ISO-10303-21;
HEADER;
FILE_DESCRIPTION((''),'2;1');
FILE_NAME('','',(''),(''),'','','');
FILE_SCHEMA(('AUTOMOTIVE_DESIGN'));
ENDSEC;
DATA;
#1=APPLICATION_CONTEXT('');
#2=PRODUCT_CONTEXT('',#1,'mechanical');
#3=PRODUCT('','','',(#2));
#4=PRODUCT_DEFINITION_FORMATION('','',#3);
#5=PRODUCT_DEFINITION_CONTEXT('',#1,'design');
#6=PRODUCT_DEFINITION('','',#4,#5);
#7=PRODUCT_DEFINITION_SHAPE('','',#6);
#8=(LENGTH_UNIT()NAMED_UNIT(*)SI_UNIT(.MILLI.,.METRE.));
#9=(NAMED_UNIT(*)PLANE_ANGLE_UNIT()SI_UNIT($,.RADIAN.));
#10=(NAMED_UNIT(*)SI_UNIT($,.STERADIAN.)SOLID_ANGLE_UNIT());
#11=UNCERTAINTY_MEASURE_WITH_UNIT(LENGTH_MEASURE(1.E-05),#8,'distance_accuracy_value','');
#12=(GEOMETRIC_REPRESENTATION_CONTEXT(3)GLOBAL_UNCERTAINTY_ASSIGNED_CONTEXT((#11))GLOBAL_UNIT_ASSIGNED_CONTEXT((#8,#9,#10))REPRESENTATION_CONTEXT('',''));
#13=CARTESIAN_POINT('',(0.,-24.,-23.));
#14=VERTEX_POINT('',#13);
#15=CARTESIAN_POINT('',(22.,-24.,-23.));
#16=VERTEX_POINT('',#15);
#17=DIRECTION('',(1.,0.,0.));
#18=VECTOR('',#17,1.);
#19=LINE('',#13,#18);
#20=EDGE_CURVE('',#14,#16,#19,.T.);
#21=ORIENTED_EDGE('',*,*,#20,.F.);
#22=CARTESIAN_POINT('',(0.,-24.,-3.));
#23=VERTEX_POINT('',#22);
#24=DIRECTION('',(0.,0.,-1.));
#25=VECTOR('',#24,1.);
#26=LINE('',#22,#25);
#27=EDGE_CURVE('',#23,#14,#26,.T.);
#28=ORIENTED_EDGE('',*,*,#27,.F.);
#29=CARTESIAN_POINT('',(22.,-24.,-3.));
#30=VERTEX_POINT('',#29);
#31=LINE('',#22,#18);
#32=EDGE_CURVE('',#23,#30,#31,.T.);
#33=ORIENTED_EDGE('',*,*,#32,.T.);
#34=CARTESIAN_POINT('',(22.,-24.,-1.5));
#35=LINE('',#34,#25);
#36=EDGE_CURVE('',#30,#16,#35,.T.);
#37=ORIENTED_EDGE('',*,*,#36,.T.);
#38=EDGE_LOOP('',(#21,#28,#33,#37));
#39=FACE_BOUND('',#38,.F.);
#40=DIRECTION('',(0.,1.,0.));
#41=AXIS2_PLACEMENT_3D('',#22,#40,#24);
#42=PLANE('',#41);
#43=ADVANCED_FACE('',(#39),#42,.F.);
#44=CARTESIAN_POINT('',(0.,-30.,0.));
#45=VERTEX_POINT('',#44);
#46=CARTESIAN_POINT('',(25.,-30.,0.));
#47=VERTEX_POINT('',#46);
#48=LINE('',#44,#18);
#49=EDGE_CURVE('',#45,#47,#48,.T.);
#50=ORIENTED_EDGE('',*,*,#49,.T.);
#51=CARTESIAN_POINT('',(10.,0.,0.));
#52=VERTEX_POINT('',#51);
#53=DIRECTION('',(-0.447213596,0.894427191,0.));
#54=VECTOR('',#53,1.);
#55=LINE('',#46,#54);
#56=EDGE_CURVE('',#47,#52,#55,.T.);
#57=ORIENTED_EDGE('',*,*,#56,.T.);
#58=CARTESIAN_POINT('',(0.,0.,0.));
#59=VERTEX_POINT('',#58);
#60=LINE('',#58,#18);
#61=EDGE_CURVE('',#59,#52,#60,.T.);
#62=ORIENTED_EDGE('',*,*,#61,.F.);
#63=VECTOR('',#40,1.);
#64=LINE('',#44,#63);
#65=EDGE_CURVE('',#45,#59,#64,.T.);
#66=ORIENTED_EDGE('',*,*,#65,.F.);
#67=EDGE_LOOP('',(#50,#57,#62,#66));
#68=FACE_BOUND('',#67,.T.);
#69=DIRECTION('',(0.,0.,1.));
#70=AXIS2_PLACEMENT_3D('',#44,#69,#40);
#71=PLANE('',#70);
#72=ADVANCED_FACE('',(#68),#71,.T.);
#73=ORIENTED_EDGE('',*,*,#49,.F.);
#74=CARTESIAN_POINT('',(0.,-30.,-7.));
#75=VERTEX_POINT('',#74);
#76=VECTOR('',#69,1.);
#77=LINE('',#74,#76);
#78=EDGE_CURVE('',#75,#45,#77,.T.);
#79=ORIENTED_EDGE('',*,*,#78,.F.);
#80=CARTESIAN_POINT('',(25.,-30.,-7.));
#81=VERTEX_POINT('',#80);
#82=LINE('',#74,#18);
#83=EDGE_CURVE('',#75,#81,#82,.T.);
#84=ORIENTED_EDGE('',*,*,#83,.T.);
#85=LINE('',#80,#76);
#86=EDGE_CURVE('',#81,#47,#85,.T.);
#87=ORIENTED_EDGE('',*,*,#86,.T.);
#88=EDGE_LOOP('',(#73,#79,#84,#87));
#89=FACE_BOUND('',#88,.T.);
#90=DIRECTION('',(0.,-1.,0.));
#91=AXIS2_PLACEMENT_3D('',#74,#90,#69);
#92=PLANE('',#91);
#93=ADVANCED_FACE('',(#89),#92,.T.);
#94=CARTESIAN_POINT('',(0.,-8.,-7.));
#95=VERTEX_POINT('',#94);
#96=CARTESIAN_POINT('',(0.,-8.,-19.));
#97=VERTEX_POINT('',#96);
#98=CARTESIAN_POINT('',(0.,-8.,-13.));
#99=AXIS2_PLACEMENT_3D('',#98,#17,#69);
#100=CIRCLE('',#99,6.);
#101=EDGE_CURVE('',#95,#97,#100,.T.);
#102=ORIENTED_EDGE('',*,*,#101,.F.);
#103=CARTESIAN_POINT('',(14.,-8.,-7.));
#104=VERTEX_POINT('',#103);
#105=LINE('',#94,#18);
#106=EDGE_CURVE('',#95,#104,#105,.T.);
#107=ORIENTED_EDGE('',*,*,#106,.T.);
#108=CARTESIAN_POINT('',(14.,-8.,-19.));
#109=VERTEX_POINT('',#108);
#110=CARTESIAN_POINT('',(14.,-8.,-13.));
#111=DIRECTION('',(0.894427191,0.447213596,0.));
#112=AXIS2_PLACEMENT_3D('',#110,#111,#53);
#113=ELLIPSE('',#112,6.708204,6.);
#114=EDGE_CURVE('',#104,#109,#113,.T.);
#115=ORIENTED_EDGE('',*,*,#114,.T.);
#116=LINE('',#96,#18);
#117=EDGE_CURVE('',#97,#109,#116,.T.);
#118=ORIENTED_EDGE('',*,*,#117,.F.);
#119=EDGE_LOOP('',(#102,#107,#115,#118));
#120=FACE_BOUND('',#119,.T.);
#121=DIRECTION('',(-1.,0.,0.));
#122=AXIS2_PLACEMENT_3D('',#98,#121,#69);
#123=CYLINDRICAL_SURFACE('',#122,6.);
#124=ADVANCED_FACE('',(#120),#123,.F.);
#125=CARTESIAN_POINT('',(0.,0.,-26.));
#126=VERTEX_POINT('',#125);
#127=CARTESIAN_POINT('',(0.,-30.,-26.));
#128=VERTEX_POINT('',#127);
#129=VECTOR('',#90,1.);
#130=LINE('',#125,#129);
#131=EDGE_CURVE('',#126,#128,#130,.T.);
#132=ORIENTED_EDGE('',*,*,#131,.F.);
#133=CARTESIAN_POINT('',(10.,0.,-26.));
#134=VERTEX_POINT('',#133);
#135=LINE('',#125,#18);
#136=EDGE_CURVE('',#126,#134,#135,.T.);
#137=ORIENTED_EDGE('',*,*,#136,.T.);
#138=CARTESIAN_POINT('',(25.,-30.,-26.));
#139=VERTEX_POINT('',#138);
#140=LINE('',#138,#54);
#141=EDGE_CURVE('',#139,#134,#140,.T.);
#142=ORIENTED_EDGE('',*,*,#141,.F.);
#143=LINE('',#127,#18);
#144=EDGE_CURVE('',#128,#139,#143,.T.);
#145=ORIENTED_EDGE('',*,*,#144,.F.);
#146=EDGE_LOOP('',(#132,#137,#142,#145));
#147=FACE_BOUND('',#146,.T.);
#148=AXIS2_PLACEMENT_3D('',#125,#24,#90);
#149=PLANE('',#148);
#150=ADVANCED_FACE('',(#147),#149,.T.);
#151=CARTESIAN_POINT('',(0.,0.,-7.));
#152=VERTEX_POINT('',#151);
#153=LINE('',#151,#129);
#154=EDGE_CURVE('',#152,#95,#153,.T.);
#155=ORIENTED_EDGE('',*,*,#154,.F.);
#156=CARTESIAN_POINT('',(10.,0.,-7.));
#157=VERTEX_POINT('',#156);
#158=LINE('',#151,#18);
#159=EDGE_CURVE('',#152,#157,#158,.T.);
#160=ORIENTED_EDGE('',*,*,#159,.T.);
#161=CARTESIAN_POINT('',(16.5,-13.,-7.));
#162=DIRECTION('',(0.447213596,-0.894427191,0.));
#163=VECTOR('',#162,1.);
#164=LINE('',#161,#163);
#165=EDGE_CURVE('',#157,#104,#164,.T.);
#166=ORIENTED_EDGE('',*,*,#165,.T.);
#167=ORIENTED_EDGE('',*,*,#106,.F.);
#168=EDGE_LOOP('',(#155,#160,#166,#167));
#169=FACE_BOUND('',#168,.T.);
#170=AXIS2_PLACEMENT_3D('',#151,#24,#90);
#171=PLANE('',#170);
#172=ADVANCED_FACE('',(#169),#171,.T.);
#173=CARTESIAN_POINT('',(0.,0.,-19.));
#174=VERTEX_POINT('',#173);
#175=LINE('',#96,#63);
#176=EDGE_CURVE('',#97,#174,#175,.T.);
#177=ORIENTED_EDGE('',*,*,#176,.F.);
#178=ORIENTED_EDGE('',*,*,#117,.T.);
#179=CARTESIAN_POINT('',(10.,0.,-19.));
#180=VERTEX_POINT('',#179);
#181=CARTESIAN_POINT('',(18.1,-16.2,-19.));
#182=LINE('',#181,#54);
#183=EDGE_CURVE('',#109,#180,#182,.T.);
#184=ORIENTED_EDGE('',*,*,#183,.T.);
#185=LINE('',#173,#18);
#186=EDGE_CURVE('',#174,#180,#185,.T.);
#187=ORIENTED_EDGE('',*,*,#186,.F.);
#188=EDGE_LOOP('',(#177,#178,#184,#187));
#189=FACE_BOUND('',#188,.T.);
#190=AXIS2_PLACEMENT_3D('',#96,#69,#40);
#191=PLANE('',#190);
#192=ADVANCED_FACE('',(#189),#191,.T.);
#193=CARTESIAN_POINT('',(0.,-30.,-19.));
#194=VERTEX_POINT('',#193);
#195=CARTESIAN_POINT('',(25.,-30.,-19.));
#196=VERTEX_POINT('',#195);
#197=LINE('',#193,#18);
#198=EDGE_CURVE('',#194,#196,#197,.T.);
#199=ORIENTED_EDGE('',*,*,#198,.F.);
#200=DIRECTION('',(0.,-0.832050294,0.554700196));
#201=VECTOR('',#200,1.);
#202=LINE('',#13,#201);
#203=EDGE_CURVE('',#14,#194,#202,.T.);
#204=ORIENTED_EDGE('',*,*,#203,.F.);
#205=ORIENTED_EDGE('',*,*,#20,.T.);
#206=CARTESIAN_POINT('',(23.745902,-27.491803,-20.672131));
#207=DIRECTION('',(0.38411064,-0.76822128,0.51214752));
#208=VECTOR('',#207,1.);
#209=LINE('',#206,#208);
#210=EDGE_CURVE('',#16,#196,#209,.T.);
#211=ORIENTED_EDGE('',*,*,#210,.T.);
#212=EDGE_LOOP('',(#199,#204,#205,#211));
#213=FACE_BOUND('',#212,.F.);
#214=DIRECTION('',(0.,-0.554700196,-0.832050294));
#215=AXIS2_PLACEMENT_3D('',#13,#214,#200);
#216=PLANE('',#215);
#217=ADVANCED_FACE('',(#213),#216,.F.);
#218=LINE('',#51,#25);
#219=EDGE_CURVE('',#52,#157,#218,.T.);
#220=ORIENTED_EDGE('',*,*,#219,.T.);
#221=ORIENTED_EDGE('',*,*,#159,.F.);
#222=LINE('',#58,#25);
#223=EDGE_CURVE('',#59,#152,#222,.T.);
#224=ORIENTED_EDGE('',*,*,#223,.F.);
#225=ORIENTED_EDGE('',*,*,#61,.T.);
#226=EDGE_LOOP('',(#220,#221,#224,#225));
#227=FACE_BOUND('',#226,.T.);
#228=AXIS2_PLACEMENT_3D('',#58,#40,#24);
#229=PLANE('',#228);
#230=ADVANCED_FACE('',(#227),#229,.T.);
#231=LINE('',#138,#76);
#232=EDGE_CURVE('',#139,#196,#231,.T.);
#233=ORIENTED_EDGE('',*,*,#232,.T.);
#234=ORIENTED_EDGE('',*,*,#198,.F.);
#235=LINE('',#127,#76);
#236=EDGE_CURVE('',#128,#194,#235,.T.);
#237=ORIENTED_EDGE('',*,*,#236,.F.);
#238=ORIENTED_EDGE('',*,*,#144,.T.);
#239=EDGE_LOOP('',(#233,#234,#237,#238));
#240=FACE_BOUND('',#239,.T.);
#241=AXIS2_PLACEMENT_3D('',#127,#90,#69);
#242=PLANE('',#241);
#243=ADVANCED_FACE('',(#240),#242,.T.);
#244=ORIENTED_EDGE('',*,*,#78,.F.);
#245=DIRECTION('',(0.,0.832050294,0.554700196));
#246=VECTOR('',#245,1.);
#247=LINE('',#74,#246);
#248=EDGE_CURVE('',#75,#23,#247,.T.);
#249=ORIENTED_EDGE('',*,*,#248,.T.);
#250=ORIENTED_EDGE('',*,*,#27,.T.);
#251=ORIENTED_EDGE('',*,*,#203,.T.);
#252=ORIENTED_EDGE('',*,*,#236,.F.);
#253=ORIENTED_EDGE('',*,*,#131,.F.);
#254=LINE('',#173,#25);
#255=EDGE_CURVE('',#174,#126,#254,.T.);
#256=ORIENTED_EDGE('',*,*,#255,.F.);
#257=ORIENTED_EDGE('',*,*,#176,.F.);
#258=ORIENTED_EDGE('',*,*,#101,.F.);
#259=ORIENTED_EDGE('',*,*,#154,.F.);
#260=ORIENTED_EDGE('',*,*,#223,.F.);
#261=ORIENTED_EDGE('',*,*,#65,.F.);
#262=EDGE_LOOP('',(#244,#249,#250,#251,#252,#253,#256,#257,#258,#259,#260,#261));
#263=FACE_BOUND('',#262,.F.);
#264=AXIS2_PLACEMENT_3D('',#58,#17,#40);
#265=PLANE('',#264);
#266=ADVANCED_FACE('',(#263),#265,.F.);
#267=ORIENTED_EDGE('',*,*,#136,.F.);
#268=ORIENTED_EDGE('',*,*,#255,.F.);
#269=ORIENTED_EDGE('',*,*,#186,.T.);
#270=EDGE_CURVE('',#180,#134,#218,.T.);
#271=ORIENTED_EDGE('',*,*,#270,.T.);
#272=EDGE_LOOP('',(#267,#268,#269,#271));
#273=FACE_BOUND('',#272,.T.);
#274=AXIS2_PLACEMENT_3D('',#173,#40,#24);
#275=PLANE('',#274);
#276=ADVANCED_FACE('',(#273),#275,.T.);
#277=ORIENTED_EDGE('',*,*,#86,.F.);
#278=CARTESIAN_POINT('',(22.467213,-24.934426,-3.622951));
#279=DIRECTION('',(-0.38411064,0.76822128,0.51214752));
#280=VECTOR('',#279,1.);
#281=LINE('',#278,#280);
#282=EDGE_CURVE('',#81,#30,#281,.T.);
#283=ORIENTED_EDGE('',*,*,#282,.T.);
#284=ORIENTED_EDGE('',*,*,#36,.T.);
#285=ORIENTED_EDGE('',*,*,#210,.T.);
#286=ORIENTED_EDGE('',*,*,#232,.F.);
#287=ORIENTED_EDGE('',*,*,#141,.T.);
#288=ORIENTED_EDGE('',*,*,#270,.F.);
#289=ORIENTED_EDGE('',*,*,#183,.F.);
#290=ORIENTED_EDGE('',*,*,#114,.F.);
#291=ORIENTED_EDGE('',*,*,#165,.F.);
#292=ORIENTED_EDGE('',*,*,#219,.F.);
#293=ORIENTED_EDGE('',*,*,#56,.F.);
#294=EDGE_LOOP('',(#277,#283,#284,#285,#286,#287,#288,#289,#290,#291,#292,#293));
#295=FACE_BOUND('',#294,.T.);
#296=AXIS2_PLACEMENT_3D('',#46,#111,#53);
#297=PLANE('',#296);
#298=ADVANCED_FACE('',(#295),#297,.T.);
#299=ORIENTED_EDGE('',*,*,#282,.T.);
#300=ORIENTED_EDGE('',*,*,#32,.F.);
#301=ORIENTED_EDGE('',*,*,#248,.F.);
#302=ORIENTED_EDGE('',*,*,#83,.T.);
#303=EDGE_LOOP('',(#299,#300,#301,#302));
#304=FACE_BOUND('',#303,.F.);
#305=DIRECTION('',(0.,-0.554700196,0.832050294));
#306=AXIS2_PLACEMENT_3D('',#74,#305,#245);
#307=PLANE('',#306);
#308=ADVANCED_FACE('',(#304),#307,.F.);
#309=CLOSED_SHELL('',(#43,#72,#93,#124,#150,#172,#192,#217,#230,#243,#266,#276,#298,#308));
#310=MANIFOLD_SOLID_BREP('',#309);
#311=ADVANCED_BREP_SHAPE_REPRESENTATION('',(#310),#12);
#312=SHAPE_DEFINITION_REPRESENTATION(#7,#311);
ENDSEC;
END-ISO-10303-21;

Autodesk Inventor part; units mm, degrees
ref_plane "YZ Plane" through (0, 0, 0) normal (1, 0, 0) x (0, 1, 0)
ref_plane "XZ Plane" through (0, 0, 0) normal (0, 1, 0) x (-1, 0, 0)
ref_plane "XY Plane" through (0, 0, 0) normal (0, 0, 1) x (1, 0, 0)
sketch "草图1" plane through (0, 0, 0) normal (1, 0, 0) x (0, 1, 0)
  line L0 (-30, 0) -> (0, 0)
  line L1 (0, -26) -> (-30, -26)
  line L2 (0, -7) -> (-8, -7)
  arc A0 (-8, -7) -> (-8, -19) centre (-8, -13) ccw
  line L3 (-8, -19) -> (0, -19)
  line L4 (0, 0) -> (0, -7)
  line L5 (0, -19) -> (0, -26)
  line L6 (-30, -7) -> (-24, -3)
  line L7 (-24, -3) -> (-24, -23)
  line L8 (-24, -23) -> (-30, -19)
  line L9 (-8, -13) -> (0, -13) construction
  line L10 (-30, -26) -> (-30, -19)
  line L11 (-30, -7) -> (-30, 0)
  point P0 (-15, 0)
  dimension "d0" = 30
  dimension "d2" = 26
  dimension "d3" = 8
  dimension "d4" = 6
  dimension "d5" = 8
  dimension "d6" = 12
  dimension "d7" = 20
  dimension "d9" = 6
  dimension "d10" = 6
extrude "拉伸1" add sketch "草图1" along normal blind 25
sketch "草图2" plane through (0, -30, 0) normal (0, 0, 1) x (1, 0, 0)
  line L0 (0, 0) -> (0, 30) projected
  line L1 (0, 0) -> (25, 0) projected
  line L2 (0, 30) -> (25, 30) projected
  line L3 (25, 0) -> (10, 30)
  dimension "d13" = 10
extrude "拉伸2" cut sketch "草图2" against normal through all keep common part
properties part number "第一次上机-模型2"
